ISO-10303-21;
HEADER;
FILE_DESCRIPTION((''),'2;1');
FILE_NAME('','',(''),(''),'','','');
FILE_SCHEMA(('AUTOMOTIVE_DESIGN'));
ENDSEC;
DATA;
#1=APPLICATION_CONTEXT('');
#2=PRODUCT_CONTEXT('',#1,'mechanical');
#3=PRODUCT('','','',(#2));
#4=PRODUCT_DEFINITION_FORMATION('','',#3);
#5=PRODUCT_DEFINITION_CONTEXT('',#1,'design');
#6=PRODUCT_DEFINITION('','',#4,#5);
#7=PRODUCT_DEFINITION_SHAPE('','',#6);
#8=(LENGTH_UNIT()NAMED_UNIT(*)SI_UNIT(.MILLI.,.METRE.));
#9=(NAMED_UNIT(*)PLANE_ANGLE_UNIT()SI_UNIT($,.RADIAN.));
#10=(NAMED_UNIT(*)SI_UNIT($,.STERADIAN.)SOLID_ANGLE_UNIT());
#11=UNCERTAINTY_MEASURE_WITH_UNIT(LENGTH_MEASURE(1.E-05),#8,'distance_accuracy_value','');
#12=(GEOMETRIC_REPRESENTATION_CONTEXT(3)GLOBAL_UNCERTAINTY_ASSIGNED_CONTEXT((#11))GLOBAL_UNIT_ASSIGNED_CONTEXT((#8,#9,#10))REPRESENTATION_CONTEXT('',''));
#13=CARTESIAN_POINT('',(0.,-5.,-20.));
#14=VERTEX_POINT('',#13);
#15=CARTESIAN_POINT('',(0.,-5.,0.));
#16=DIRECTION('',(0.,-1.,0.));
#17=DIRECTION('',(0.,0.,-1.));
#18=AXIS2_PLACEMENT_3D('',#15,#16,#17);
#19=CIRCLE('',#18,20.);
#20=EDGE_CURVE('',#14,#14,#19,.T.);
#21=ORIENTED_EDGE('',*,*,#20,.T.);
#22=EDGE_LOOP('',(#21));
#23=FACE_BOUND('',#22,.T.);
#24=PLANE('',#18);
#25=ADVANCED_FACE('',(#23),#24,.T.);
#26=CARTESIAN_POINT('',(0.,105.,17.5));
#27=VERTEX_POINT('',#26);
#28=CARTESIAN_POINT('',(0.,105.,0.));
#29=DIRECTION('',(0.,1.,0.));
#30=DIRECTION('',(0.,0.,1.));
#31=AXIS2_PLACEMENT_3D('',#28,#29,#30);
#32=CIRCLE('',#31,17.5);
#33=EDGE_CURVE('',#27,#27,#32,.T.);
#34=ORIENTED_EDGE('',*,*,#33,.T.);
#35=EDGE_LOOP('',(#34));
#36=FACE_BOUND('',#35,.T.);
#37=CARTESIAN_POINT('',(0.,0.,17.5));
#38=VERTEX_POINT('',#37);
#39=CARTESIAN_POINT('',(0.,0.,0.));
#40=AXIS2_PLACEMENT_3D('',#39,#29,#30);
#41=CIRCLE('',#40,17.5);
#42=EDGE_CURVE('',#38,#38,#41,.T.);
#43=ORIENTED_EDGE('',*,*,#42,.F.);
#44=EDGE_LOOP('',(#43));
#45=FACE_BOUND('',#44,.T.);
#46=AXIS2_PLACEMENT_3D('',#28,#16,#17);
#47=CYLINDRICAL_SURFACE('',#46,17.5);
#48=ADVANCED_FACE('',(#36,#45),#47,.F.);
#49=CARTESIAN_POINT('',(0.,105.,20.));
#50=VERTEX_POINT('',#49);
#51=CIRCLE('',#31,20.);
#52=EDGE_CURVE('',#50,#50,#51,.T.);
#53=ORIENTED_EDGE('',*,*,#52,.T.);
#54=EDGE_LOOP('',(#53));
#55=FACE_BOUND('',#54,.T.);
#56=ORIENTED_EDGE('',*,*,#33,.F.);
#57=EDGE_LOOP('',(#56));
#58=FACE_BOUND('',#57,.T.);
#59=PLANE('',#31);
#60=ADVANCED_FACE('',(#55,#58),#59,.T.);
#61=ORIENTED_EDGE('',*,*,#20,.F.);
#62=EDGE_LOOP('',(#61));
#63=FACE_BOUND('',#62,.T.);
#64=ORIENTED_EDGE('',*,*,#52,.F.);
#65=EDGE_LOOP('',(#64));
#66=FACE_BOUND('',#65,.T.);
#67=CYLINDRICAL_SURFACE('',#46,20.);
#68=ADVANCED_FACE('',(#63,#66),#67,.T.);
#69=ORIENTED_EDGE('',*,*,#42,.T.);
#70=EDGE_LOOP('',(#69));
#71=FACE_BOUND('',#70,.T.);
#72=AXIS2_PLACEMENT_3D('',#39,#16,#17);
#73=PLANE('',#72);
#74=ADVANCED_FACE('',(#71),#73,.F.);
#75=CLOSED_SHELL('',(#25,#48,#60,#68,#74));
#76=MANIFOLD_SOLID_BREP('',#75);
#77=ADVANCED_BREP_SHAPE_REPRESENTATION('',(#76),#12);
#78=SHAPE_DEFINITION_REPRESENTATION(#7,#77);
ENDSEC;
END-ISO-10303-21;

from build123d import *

# Parameters (mm, degrees)
ESQUISSE2_R        = 20
ESQUISSE2_R_2      = 17.5
BOSS_EXTRU_2_DEPTH = 105
BOSS_EXTRU_3_START = 5
ESQUISSE3_R        = 20
BOSS_EXTRU_3_DEPTH = 5


with BuildPart() as part:
    # Esquisse2 → Boss.-Extru.2 (new body)
    with BuildSketch(Plane(origin=(0, 0, 0), x_dir=(1, 0, 0), z_dir=(0, 1, 0))):
        with Locations(Location((0, 0, 0), (0, 0, 270))):
            Circle(ESQUISSE2_R)
        with Locations(Location((0, 0, 0), (0, 0, 270))):
            Circle(ESQUISSE2_R_2, mode=Mode.SUBTRACT)
    extrude(amount=BOSS_EXTRU_2_DEPTH)

    # Esquisse3 → Boss.-Extru.3 (add)
    with BuildSketch(Plane(origin=(0, 0, 0), x_dir=(-1, 0, 0), z_dir=(0, -1, 0)).offset(BOSS_EXTRU_3_START)):
        with Locations(Location((0, 0, 0), (0, 0, 90))):
            Circle(ESQUISSE3_R)
    extrude(amount=-BOSS_EXTRU_3_DEPTH)


solid = part.part
